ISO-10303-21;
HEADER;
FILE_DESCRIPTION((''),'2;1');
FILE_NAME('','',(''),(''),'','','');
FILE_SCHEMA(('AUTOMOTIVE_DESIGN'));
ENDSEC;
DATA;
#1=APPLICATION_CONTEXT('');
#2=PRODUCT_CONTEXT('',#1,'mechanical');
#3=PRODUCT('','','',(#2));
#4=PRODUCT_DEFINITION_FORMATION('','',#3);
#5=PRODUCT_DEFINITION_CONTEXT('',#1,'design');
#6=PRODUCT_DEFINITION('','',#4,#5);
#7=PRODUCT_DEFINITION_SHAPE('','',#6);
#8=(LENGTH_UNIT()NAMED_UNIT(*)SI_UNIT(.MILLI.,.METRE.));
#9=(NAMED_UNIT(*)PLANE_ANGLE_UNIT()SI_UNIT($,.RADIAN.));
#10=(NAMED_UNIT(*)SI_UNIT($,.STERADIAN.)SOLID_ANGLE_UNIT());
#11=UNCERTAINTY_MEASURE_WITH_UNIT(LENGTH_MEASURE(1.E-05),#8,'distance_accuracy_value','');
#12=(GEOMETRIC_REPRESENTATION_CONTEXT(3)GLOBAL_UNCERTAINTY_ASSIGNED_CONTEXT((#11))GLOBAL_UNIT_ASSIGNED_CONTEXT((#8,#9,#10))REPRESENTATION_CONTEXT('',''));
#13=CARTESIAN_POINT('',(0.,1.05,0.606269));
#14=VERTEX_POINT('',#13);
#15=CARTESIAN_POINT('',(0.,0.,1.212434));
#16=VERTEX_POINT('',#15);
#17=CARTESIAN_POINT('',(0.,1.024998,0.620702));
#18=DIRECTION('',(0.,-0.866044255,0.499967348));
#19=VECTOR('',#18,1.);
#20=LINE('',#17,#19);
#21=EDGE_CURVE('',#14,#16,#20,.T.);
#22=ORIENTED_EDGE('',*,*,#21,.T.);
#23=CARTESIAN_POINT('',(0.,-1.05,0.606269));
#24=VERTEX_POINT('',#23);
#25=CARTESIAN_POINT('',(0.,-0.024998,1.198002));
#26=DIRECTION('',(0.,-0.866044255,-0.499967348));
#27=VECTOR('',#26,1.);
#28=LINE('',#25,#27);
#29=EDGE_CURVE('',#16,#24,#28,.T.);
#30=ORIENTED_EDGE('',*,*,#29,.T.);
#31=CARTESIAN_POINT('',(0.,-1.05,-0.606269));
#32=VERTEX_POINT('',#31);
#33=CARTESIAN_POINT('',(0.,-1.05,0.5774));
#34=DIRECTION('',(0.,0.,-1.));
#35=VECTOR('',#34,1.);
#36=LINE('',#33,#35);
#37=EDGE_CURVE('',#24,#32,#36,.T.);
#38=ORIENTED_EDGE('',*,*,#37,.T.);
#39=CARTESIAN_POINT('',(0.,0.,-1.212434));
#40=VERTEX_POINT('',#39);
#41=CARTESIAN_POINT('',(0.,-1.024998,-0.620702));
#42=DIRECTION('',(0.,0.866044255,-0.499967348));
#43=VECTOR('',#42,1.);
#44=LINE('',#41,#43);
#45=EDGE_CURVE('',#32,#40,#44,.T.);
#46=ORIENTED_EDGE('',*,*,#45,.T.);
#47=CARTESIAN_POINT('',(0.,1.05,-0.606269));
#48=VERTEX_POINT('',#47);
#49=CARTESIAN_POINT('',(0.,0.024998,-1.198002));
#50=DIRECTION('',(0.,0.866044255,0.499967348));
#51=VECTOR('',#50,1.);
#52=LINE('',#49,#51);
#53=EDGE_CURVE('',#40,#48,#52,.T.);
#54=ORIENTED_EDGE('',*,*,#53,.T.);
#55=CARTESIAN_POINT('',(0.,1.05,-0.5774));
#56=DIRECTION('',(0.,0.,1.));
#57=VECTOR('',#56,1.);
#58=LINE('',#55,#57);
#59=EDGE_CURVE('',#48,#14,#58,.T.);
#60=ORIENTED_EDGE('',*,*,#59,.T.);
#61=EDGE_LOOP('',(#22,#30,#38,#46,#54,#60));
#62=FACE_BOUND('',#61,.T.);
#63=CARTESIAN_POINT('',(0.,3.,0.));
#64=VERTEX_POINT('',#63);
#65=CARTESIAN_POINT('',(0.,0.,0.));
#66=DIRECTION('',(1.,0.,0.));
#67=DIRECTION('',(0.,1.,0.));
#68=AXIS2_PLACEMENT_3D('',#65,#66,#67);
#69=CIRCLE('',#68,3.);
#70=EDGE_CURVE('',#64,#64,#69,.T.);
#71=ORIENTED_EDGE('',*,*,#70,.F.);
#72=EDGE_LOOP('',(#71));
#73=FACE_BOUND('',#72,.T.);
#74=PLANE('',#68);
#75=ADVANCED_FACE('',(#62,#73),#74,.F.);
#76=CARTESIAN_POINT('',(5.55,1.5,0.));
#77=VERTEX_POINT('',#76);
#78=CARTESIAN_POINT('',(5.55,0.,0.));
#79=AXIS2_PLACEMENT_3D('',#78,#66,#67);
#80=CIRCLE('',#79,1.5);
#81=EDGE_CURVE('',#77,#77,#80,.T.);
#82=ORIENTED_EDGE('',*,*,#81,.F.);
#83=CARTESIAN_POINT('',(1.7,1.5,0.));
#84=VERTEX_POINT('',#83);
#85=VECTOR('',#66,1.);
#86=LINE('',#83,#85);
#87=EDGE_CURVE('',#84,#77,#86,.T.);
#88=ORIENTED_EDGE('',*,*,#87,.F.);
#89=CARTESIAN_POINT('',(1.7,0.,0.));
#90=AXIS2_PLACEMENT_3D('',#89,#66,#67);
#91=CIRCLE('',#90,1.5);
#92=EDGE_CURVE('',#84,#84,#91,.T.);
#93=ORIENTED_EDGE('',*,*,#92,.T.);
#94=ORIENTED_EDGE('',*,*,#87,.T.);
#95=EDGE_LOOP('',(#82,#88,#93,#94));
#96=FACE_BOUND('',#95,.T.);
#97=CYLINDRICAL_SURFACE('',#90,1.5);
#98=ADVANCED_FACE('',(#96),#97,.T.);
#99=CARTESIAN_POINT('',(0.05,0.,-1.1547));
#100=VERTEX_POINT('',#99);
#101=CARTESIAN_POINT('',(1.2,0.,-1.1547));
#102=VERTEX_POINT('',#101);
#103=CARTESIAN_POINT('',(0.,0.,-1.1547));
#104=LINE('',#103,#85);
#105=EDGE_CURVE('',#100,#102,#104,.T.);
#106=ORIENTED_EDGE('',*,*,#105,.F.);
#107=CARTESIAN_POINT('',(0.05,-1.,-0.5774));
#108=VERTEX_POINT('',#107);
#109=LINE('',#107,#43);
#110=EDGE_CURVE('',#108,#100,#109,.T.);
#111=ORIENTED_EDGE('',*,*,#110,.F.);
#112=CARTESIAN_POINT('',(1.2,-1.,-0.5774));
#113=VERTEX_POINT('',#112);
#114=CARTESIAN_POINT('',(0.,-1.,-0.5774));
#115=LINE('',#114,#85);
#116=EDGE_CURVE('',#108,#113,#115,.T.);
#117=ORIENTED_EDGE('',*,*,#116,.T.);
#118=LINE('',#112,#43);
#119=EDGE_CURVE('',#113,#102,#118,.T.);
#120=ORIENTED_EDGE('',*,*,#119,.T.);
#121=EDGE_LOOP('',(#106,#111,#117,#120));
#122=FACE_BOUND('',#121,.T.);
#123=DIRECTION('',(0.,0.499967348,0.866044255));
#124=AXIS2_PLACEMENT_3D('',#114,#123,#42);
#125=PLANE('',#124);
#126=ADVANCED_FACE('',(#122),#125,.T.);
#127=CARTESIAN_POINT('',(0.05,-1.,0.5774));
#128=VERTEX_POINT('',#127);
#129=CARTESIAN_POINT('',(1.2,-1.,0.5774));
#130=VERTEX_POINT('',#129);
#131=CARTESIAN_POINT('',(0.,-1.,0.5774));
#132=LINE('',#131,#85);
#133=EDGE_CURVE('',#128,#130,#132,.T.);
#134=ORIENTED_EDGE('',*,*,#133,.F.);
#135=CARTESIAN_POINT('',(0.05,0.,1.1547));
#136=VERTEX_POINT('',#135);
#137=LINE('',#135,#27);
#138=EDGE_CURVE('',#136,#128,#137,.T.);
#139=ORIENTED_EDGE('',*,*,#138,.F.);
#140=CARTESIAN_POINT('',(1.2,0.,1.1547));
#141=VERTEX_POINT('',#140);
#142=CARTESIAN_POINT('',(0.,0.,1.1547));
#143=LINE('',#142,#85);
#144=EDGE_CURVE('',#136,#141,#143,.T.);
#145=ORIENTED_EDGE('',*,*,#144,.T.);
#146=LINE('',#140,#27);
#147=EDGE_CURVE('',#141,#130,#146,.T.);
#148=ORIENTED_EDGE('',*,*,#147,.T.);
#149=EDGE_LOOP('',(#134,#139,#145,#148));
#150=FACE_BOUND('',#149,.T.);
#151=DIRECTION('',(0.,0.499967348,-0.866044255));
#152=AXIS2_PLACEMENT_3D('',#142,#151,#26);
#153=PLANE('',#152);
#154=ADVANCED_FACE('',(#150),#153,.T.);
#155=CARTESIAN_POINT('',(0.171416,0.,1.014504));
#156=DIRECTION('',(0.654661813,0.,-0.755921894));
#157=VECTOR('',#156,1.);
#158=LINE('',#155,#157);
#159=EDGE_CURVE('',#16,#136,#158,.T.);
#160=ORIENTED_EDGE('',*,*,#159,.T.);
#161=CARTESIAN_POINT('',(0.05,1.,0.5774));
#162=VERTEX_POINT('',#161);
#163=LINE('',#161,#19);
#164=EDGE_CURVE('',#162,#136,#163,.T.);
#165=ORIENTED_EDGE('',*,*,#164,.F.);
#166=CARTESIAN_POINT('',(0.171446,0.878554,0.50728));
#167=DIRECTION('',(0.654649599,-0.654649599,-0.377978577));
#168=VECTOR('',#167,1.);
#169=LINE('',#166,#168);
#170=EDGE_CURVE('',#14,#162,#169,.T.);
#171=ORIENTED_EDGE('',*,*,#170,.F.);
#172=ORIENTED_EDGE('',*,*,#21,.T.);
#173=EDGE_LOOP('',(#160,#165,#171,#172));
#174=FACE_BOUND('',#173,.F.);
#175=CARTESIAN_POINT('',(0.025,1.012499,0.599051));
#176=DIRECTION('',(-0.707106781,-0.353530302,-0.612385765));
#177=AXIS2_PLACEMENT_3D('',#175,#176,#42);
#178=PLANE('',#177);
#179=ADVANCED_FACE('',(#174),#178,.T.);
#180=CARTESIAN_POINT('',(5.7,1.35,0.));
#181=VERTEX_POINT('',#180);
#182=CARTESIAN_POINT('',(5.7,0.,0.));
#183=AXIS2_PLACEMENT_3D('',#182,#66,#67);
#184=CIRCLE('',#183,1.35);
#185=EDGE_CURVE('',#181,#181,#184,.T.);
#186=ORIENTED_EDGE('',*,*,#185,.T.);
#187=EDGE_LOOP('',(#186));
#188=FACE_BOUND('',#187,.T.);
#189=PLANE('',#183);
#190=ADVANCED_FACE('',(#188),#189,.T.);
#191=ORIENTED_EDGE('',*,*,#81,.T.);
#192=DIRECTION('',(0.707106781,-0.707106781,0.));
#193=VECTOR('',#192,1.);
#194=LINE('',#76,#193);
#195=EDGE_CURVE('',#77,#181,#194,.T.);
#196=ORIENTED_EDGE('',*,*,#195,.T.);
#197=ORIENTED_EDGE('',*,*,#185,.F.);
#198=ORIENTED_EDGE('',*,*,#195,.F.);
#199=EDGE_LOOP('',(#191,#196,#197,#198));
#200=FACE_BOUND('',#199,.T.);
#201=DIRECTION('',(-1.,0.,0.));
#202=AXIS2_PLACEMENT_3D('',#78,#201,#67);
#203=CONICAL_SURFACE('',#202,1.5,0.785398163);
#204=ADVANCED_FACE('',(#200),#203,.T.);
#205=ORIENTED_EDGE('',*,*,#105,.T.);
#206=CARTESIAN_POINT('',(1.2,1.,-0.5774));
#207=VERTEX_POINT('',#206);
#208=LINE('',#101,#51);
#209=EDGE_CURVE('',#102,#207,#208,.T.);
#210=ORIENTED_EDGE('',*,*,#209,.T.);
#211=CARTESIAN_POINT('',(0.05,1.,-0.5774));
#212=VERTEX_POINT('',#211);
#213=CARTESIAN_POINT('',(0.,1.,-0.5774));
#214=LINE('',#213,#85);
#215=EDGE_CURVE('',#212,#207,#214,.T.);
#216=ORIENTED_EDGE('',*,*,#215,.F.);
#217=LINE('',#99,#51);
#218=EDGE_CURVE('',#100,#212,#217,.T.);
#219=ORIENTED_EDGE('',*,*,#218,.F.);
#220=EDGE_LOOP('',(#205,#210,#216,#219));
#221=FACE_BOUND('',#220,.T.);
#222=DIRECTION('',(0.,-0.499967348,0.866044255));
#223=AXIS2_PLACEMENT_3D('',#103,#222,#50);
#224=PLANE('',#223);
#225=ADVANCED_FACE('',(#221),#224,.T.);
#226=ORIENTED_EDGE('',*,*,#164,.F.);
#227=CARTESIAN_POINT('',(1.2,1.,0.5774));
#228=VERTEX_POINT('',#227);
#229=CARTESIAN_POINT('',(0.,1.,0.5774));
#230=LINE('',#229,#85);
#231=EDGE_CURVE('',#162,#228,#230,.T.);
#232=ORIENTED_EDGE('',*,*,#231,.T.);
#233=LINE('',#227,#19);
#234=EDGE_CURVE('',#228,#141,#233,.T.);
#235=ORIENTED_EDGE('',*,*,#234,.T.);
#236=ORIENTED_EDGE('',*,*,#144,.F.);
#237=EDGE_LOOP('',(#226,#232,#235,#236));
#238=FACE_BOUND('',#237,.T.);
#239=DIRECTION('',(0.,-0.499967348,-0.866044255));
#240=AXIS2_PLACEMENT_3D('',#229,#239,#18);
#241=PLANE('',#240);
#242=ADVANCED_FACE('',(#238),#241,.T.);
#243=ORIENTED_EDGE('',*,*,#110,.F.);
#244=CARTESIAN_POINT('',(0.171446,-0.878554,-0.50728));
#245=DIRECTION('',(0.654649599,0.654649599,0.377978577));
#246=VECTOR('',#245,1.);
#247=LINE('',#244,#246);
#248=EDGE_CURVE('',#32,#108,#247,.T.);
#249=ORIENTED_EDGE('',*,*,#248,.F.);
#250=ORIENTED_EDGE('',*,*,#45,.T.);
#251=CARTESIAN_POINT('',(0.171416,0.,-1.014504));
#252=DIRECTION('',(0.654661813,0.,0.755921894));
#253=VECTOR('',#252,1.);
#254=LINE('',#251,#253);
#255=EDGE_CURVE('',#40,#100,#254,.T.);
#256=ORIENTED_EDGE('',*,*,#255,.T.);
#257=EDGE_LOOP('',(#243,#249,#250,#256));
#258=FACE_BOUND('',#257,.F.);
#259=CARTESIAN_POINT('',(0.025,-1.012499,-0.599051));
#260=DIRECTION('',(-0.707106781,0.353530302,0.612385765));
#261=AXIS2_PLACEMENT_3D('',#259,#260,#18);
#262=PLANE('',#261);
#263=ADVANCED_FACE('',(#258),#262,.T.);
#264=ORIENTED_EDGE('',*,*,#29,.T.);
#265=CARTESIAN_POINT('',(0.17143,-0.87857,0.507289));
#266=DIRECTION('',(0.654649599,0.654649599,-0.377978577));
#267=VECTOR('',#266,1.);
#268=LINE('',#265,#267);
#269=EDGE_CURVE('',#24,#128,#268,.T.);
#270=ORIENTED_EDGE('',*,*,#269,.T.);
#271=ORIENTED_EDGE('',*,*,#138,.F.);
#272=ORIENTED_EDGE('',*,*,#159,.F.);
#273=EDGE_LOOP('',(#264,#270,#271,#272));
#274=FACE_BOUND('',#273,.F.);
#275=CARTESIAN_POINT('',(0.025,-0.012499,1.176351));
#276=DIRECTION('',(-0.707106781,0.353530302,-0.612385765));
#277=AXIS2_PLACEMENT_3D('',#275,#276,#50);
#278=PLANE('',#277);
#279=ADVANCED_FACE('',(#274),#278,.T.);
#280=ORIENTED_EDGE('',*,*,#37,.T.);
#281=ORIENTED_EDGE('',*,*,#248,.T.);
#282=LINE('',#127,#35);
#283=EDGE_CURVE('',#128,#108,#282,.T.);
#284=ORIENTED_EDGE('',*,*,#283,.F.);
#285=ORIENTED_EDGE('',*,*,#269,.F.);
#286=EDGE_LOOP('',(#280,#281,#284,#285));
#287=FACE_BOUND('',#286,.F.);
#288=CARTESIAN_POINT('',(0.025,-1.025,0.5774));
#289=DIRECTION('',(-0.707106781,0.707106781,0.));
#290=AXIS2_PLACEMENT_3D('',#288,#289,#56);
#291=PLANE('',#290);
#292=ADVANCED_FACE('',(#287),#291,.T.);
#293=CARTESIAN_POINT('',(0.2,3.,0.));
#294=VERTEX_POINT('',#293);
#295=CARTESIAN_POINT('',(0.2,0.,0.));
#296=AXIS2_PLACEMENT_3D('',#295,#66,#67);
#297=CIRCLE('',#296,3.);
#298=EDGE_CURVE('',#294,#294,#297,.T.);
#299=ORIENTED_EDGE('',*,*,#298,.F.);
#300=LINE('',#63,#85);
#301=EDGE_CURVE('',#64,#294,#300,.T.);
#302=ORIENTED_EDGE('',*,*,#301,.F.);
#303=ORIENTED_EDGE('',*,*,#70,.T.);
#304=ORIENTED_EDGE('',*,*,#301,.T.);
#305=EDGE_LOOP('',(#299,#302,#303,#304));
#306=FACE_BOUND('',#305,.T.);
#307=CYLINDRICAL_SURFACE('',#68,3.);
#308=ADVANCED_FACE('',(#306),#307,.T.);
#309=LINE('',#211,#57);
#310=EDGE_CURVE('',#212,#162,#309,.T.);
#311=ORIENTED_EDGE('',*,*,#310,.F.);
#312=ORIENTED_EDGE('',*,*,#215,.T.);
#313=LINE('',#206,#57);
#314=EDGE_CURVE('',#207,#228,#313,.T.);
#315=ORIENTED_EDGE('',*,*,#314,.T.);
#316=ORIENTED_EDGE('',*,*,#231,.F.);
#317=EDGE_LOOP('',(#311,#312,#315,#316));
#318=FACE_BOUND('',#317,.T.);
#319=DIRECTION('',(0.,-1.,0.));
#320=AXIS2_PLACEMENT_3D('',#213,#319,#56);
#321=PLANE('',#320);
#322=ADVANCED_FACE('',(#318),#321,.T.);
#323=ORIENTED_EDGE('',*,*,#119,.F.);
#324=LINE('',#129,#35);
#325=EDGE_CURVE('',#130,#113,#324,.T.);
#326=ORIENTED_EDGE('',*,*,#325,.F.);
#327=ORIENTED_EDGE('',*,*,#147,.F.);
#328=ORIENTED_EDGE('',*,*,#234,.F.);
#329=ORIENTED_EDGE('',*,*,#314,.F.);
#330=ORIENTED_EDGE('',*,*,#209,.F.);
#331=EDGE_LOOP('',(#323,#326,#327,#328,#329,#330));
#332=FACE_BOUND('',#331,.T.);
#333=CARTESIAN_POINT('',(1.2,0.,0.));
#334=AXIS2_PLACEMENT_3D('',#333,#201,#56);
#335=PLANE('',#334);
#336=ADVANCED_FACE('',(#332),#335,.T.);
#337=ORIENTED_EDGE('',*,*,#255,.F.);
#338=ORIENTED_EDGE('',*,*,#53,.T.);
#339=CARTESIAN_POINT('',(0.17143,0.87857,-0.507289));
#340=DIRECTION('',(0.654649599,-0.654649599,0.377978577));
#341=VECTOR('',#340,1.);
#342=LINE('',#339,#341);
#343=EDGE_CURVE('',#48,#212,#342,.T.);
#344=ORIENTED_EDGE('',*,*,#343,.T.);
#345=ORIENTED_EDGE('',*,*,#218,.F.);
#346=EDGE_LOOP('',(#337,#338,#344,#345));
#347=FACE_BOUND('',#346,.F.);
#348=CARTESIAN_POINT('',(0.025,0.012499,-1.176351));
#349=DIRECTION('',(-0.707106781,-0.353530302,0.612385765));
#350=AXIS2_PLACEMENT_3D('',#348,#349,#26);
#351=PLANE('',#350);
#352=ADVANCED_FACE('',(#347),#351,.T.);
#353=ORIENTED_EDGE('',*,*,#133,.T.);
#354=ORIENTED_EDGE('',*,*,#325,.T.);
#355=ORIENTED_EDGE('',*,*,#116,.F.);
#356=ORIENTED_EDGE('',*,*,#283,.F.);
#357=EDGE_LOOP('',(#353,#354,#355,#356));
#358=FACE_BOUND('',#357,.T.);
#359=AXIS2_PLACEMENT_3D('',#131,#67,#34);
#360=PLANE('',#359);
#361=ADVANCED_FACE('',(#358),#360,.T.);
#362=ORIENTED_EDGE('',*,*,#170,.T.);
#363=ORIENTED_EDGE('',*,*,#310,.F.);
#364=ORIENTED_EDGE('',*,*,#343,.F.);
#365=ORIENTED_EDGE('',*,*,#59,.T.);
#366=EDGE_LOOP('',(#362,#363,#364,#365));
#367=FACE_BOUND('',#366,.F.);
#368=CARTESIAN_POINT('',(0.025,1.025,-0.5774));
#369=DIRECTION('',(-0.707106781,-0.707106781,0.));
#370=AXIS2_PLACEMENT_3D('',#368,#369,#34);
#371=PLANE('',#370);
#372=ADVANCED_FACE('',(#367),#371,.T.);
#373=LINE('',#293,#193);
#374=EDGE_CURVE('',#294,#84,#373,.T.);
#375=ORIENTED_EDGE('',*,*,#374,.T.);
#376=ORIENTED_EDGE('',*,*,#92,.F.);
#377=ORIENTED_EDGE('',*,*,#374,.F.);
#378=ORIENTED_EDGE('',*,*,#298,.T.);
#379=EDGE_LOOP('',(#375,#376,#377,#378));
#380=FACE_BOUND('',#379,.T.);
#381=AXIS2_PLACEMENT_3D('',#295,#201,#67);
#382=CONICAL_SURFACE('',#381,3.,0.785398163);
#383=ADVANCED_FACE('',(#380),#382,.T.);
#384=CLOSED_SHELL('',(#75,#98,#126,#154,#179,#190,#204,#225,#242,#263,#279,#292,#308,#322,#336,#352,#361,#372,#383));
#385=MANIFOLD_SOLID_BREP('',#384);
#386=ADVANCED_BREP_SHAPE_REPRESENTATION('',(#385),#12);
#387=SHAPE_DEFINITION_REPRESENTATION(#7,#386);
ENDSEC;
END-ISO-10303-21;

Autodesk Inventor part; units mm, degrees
ref_plane "YZ Plane" through (0, 0, 0) normal (1, 0, 0) x (0, 1, 0)
ref_plane "XZ Plane" through (0, 0, 0) normal (0, 1, 0) x (-1, 0, 0)
ref_plane "XY Plane" through (0, 0, 0) normal (0, 0, 1) x (1, 0, 0)
sketch "スケッチ1" plane through (0, 0, 0) normal (0, 0, 1) x (1, 0, 0)
  line L0 (0, 0) -> (0, 3)
  line L1 (0, 3) -> (0.2, 3)
  line L2 (0.2, 3) -> (1.7, 1.5)
  line L3 (1.7, 1.5) -> (5.7, 1.5)
  line L4 (5.7, 1.5) -> (5.7, 0)
  line L5 (0, 0) -> (5.7, 0)
  dimension "d0" = 45
  dimension "d1" = 3
  dimension "d2" = 1.7
  dimension "d3" = 1.5
  dimension "d4" = 4
revolve "回転1" add sketch "スケッチ1" angle 360 about axis through (0, 0, 0) along (1, 0, 0)
thread "ねじ1" size "M3x0.5" class "6g" standard "ANSI Metric M Profile" length 44.8
sketch "スケッチ2" plane through (0, 0, 0) normal (-1, 0, 0) x (0, 0, 1)
  line L0 (0.5774, 1) -> (1.1547, 0)
  line L1 (1.1547, 0) -> (0.5774, -1)
  line L2 (0.5774, -1) -> (-0.5774, -1)
  line L3 (-0.5774, -1) -> (-1.1547, 0)
  line L4 (-1.1547, 0) -> (-0.5774, 1)
  line L5 (-0.5774, 1) -> (0.5774, 1)
  circle A0 centre (0, 0) radius 1.1547
  point P0 (0, 0)
  point P1 (0, 0)
  dimension "d8" = 2
extrude "押し出し1" cut sketch "スケッチ2" against normal blind 1.2 contours L0 L1 L2 L3 L4 L5
chamfer "面取り1" distance 0.05 angle 45 6 edges at (0, -0.5, -0.866) (0, 0.5, -0.866) (0, 1, 0) (0, 0.5, 0.866) (0, -1, 0) (0, -0.5, 0.866)
chamfer "面取り2" distance 0.15 angle 45 1 edges at (5.7, -1.5, 0)
properties part number "ネジ皿M3L4" material "鋼、高強度、低合金"
